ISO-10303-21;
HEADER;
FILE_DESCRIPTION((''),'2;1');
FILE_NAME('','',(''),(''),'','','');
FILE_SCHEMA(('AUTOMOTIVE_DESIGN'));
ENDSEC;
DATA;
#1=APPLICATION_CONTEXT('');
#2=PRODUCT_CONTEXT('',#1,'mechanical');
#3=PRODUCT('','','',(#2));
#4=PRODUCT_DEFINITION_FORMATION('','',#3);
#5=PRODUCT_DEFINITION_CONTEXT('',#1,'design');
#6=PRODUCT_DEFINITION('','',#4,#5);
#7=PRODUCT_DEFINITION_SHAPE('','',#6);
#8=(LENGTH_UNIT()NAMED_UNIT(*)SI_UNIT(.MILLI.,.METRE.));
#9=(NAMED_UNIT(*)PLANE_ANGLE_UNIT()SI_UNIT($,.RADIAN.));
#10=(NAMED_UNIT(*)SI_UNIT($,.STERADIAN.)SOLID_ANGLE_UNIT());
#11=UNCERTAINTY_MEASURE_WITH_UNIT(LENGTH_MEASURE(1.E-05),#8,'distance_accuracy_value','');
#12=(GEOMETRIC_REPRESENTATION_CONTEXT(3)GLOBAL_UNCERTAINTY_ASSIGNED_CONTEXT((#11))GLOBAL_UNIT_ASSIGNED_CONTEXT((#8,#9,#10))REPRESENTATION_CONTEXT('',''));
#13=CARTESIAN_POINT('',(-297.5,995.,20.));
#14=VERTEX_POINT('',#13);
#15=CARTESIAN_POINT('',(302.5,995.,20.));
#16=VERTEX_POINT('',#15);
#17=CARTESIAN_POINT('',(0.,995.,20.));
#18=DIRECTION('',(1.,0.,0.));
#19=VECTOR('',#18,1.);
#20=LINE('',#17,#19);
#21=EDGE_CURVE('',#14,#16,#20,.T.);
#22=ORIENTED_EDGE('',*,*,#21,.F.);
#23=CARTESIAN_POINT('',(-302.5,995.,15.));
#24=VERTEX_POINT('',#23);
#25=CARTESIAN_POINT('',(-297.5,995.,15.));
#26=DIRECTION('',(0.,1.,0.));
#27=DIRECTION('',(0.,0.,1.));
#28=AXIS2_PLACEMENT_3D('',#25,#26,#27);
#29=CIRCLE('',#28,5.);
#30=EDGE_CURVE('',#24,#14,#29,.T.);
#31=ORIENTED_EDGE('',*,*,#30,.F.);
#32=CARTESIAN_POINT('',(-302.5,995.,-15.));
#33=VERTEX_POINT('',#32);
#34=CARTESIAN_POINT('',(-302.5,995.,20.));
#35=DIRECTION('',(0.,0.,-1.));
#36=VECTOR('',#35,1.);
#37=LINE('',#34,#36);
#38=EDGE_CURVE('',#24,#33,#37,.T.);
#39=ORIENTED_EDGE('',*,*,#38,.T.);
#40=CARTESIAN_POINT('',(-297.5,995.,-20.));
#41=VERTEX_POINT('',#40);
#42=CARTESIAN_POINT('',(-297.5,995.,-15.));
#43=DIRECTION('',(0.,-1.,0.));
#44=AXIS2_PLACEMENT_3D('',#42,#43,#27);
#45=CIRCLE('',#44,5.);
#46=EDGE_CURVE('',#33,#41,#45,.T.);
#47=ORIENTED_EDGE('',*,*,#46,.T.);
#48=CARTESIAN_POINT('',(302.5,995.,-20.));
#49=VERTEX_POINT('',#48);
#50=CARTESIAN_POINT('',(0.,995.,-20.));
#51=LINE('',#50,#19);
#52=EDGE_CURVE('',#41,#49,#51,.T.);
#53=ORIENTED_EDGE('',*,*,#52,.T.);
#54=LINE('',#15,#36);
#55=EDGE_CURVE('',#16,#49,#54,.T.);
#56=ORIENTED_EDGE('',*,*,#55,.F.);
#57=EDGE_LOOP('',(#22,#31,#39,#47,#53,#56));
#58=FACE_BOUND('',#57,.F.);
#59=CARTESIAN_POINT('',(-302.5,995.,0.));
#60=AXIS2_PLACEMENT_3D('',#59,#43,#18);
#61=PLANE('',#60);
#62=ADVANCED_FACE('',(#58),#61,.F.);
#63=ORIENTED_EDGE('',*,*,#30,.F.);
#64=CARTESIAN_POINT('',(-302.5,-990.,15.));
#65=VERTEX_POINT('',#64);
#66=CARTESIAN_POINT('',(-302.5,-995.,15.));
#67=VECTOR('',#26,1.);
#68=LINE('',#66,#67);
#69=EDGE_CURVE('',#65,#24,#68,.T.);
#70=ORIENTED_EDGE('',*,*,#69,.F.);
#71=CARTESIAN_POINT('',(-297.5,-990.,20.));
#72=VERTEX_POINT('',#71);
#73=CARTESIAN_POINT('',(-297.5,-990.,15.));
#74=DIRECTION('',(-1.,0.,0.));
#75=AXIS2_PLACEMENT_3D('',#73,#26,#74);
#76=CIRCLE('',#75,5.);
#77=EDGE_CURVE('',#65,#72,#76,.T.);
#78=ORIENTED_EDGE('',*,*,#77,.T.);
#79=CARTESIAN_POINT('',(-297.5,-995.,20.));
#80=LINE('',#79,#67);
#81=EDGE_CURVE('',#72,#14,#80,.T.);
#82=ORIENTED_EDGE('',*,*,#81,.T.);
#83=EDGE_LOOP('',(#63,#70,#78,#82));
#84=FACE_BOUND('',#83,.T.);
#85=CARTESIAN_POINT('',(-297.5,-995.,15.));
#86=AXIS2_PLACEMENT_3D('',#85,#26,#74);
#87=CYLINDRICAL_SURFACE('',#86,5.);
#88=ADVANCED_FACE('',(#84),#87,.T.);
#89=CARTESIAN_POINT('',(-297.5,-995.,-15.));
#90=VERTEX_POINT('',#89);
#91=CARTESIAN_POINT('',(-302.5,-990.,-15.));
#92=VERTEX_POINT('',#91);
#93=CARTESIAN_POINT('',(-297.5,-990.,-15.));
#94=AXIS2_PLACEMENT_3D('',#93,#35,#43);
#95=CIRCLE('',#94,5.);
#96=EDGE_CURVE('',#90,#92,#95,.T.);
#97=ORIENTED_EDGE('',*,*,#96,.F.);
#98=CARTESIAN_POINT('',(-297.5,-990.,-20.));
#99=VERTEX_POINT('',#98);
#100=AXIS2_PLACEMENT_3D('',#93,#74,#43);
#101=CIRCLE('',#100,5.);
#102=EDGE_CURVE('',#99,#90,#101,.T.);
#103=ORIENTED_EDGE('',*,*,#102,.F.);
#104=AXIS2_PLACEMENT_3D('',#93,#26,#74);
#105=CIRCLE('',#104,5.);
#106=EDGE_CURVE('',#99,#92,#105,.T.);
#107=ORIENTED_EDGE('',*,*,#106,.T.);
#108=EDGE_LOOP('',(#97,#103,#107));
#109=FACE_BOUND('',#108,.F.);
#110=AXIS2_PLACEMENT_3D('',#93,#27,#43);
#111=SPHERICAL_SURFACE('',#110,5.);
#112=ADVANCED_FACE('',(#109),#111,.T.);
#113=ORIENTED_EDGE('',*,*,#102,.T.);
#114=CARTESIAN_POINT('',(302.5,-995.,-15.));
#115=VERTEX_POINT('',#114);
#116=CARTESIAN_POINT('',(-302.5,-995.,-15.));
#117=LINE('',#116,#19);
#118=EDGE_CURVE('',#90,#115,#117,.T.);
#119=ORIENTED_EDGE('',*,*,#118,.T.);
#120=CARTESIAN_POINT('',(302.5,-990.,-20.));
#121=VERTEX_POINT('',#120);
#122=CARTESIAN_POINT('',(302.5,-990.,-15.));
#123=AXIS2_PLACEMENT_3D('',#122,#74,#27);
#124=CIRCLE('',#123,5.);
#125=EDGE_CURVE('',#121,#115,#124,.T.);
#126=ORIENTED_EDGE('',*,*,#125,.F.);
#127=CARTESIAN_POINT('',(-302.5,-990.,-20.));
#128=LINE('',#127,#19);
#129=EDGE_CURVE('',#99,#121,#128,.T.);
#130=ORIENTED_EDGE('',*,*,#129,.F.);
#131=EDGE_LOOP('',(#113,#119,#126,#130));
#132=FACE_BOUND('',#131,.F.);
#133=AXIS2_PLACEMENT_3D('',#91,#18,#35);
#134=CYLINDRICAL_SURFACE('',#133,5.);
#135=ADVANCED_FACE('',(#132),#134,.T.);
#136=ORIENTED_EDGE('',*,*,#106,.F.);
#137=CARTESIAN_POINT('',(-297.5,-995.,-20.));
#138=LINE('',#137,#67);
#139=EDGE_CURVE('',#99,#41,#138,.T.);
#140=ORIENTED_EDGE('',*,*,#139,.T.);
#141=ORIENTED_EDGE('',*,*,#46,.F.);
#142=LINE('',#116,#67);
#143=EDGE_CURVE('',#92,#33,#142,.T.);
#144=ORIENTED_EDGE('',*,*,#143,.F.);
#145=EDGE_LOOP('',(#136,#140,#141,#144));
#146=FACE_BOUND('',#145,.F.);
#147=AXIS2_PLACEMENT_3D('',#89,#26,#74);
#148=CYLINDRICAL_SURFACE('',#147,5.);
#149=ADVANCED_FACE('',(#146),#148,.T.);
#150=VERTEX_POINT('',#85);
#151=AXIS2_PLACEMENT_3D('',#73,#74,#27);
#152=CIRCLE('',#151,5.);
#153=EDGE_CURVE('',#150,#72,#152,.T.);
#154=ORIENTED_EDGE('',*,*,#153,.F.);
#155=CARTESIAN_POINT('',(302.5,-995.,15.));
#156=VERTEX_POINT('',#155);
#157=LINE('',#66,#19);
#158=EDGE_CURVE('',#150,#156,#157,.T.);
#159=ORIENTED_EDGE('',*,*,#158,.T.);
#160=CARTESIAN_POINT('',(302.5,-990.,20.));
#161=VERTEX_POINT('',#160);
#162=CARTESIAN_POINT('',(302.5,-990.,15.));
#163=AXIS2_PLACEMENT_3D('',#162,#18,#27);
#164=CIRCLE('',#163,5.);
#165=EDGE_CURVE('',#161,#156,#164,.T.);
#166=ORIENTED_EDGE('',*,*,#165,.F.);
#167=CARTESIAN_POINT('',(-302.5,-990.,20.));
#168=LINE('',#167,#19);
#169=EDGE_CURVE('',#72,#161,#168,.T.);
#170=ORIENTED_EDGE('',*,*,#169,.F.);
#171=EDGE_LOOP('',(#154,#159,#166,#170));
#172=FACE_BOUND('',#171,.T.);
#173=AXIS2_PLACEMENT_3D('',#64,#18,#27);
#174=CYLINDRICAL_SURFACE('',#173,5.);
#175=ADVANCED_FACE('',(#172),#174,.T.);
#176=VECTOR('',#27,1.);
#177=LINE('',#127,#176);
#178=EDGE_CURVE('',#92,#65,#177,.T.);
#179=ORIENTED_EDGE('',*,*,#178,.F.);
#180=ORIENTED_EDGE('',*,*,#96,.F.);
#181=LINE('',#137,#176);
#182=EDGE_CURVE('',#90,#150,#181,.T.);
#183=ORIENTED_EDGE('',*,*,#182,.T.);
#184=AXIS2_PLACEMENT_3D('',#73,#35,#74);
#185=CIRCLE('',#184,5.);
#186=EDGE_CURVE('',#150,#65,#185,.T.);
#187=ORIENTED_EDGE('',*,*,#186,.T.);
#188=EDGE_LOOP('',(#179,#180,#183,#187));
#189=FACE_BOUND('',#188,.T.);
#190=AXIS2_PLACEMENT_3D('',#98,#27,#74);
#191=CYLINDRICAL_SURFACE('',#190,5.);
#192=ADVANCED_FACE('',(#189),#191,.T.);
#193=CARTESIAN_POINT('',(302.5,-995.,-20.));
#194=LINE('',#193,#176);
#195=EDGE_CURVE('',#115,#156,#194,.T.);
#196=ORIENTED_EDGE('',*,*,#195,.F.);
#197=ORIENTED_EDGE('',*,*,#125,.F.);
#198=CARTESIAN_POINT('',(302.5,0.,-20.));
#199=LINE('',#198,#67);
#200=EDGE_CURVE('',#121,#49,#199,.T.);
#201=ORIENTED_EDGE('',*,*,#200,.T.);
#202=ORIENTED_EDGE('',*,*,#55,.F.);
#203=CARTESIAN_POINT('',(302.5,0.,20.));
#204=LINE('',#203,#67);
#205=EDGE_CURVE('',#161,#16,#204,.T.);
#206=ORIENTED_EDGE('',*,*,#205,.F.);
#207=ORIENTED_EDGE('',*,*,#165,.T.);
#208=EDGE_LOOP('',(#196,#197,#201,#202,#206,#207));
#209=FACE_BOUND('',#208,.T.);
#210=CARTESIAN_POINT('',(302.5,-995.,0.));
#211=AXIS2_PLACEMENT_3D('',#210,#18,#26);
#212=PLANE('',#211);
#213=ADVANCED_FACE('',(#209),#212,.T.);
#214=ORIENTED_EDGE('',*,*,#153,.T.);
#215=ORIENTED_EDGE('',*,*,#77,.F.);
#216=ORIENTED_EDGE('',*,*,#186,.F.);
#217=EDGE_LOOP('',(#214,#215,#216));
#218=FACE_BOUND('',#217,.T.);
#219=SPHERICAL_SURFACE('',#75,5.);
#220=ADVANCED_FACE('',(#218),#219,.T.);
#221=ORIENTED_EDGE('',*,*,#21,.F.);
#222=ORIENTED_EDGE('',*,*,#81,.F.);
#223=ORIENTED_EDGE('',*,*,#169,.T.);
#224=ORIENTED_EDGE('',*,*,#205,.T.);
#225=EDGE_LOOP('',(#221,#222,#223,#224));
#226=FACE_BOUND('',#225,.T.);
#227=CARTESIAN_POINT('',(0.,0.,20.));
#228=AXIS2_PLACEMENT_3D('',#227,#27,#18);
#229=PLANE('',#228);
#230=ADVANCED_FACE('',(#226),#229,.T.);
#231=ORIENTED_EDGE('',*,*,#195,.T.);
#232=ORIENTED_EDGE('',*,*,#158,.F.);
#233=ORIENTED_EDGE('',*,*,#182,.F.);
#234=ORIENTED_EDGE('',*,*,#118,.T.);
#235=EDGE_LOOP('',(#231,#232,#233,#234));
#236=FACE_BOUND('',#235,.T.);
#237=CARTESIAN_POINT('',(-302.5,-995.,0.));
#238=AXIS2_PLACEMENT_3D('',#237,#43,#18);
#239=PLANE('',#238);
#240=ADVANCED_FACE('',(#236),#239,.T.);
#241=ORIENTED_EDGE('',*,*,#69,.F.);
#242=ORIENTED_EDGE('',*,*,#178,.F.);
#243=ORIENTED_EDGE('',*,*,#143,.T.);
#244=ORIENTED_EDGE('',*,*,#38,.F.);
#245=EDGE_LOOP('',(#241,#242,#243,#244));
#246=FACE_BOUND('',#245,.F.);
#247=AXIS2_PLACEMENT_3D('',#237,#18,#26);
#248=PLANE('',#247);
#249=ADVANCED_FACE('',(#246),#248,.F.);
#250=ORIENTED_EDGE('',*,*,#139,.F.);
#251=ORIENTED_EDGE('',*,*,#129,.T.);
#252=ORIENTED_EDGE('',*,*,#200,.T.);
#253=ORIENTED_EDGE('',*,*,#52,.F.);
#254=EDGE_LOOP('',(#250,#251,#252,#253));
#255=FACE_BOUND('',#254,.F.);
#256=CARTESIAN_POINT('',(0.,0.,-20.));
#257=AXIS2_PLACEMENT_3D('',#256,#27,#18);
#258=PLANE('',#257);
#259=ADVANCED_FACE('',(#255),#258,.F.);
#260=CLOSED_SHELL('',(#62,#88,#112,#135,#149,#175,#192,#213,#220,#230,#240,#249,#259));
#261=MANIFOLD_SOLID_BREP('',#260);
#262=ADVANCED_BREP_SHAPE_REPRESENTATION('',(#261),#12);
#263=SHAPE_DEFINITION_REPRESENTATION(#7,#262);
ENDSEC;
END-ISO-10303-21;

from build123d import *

# Parameters (mm, degrees)
F0_W     = 605
F0_H     = 1990
F1_DEPTH = 20
F2_R     = 5


with BuildPart() as f1:
    # F0 (on Top) → F1 (new body, symmetric)
    with BuildSketch(Plane.XY):
        Rectangle(F0_W, F0_H)
    extrude(amount=F1_DEPTH, both=True)

    # F2
    f2_edges = [f1.edges().sort_by_distance(p)[0] for p in [
        (-302.5, 0, 20),
        (-302.5, -995, 0),
        (0, -995, 20),
        (0, -995, -20),
        (-302.5, 0, -20),
    ]]
    fillet(f2_edges, radius=F2_R)


solid = f1.part
